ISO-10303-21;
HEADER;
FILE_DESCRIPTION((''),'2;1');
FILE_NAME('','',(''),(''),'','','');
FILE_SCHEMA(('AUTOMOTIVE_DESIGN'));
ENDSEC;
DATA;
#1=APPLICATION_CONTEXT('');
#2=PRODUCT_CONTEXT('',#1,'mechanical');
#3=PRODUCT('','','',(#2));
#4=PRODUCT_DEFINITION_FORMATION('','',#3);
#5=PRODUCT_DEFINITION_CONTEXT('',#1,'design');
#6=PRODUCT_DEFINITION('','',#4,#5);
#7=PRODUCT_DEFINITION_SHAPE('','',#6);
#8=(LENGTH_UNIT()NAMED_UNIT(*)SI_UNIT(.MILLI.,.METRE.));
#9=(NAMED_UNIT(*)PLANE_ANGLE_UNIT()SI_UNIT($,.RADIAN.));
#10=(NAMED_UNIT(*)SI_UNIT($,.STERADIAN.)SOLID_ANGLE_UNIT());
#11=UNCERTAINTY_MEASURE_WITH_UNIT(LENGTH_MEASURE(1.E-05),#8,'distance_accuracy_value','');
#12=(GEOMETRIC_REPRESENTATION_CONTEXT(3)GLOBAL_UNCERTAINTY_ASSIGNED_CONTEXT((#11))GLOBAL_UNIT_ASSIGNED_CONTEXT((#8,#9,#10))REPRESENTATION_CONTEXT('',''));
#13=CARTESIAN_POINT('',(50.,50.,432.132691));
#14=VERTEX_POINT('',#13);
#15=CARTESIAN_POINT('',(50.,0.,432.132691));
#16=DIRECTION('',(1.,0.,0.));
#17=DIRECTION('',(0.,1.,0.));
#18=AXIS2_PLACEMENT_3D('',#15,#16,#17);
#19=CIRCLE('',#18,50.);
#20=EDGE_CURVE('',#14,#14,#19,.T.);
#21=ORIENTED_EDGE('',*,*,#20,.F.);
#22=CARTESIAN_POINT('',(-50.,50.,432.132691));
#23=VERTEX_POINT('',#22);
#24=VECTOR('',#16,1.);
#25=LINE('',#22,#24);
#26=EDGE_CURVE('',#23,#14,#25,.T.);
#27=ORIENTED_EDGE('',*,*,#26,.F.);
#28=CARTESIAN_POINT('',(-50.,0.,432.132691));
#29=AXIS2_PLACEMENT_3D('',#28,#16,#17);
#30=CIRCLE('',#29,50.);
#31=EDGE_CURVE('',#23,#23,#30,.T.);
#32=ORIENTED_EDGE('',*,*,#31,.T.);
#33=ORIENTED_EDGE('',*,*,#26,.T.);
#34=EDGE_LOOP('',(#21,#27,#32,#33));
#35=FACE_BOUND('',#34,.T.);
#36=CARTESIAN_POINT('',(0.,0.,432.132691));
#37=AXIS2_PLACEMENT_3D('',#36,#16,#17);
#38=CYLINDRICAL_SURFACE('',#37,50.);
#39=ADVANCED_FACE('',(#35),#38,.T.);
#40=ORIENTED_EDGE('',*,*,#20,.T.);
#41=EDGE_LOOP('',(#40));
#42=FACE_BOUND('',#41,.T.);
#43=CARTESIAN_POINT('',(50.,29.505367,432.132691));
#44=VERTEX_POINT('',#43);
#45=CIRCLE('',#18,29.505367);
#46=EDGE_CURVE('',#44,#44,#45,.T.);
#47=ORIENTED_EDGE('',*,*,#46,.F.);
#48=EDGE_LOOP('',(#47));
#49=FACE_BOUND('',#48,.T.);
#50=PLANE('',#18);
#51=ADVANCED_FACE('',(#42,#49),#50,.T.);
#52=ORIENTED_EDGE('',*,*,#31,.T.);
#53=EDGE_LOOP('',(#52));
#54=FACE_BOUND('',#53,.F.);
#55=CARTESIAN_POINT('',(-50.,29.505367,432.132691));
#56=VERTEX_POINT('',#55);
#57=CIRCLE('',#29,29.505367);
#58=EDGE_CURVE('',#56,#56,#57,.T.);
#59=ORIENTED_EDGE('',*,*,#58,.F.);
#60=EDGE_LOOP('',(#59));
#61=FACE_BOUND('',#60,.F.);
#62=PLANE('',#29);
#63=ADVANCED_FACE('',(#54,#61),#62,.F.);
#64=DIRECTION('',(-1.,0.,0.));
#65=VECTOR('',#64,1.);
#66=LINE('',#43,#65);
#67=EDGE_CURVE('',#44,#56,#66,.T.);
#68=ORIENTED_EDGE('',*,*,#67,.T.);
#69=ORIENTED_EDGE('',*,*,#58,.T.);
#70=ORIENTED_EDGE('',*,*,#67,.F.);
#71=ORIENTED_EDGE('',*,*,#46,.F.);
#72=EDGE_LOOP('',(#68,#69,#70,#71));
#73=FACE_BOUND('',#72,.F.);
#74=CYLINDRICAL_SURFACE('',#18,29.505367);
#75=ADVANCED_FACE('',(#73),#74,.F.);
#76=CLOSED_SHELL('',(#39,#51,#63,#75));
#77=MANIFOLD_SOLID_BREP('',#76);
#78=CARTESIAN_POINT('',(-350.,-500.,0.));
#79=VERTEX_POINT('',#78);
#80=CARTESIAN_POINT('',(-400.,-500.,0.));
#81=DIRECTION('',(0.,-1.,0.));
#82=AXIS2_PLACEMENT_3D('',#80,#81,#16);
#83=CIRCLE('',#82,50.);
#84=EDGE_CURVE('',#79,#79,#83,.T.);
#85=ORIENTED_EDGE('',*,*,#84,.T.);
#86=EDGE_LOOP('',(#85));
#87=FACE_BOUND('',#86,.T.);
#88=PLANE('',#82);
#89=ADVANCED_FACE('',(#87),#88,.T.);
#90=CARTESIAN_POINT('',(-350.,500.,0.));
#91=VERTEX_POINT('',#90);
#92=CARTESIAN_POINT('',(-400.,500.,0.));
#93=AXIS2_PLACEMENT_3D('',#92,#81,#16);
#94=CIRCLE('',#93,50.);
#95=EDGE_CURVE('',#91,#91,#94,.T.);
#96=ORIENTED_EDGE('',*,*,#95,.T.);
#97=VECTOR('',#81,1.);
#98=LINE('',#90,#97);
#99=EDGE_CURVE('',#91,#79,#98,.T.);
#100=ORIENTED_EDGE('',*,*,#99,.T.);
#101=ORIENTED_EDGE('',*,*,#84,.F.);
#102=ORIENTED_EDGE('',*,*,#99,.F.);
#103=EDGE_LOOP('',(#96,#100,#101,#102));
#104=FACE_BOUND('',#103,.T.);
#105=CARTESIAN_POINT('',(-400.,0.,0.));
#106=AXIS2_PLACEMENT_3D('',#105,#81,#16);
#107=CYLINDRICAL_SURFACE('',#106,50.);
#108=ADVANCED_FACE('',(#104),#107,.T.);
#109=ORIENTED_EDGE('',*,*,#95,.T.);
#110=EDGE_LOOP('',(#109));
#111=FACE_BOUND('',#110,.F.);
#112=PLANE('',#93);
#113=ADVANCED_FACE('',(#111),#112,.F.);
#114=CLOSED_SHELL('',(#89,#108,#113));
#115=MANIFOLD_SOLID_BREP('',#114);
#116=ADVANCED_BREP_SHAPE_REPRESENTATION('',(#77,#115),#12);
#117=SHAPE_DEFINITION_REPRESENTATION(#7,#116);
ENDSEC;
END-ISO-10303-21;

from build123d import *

# Parameters (mm, degrees)
F0_R     = 50
F1_DEPTH = 500
F2_R     = 50
F3_DEPTH = 50
F4_R     = 29.505367
F5_DEPTH = 500.001


with BuildPart() as f1:
    # F0 (on Front) → F1 (new body, symmetric)
    with BuildSketch(Plane.XZ):
        with Locations((-400, 0)):
            Circle(F0_R)
    extrude(amount=F1_DEPTH, both=True)


with BuildPart() as f3:
    # F2 (on Right) → F3 (new body, symmetric)
    with BuildSketch(Plane.YZ):
        with Locations((0, 432.132691)):
            Circle(F2_R)
    extrude(amount=F3_DEPTH, both=True)

    # F4 (on face) → F5 (cut, through all)
    with BuildSketch(Plane.YZ.offset(50)):
        with Locations((0, 432.132691)):
            Circle(F4_R)
    extrude(amount=-F5_DEPTH, mode=Mode.SUBTRACT)


solid = Compound([f1.part, f3.part])
